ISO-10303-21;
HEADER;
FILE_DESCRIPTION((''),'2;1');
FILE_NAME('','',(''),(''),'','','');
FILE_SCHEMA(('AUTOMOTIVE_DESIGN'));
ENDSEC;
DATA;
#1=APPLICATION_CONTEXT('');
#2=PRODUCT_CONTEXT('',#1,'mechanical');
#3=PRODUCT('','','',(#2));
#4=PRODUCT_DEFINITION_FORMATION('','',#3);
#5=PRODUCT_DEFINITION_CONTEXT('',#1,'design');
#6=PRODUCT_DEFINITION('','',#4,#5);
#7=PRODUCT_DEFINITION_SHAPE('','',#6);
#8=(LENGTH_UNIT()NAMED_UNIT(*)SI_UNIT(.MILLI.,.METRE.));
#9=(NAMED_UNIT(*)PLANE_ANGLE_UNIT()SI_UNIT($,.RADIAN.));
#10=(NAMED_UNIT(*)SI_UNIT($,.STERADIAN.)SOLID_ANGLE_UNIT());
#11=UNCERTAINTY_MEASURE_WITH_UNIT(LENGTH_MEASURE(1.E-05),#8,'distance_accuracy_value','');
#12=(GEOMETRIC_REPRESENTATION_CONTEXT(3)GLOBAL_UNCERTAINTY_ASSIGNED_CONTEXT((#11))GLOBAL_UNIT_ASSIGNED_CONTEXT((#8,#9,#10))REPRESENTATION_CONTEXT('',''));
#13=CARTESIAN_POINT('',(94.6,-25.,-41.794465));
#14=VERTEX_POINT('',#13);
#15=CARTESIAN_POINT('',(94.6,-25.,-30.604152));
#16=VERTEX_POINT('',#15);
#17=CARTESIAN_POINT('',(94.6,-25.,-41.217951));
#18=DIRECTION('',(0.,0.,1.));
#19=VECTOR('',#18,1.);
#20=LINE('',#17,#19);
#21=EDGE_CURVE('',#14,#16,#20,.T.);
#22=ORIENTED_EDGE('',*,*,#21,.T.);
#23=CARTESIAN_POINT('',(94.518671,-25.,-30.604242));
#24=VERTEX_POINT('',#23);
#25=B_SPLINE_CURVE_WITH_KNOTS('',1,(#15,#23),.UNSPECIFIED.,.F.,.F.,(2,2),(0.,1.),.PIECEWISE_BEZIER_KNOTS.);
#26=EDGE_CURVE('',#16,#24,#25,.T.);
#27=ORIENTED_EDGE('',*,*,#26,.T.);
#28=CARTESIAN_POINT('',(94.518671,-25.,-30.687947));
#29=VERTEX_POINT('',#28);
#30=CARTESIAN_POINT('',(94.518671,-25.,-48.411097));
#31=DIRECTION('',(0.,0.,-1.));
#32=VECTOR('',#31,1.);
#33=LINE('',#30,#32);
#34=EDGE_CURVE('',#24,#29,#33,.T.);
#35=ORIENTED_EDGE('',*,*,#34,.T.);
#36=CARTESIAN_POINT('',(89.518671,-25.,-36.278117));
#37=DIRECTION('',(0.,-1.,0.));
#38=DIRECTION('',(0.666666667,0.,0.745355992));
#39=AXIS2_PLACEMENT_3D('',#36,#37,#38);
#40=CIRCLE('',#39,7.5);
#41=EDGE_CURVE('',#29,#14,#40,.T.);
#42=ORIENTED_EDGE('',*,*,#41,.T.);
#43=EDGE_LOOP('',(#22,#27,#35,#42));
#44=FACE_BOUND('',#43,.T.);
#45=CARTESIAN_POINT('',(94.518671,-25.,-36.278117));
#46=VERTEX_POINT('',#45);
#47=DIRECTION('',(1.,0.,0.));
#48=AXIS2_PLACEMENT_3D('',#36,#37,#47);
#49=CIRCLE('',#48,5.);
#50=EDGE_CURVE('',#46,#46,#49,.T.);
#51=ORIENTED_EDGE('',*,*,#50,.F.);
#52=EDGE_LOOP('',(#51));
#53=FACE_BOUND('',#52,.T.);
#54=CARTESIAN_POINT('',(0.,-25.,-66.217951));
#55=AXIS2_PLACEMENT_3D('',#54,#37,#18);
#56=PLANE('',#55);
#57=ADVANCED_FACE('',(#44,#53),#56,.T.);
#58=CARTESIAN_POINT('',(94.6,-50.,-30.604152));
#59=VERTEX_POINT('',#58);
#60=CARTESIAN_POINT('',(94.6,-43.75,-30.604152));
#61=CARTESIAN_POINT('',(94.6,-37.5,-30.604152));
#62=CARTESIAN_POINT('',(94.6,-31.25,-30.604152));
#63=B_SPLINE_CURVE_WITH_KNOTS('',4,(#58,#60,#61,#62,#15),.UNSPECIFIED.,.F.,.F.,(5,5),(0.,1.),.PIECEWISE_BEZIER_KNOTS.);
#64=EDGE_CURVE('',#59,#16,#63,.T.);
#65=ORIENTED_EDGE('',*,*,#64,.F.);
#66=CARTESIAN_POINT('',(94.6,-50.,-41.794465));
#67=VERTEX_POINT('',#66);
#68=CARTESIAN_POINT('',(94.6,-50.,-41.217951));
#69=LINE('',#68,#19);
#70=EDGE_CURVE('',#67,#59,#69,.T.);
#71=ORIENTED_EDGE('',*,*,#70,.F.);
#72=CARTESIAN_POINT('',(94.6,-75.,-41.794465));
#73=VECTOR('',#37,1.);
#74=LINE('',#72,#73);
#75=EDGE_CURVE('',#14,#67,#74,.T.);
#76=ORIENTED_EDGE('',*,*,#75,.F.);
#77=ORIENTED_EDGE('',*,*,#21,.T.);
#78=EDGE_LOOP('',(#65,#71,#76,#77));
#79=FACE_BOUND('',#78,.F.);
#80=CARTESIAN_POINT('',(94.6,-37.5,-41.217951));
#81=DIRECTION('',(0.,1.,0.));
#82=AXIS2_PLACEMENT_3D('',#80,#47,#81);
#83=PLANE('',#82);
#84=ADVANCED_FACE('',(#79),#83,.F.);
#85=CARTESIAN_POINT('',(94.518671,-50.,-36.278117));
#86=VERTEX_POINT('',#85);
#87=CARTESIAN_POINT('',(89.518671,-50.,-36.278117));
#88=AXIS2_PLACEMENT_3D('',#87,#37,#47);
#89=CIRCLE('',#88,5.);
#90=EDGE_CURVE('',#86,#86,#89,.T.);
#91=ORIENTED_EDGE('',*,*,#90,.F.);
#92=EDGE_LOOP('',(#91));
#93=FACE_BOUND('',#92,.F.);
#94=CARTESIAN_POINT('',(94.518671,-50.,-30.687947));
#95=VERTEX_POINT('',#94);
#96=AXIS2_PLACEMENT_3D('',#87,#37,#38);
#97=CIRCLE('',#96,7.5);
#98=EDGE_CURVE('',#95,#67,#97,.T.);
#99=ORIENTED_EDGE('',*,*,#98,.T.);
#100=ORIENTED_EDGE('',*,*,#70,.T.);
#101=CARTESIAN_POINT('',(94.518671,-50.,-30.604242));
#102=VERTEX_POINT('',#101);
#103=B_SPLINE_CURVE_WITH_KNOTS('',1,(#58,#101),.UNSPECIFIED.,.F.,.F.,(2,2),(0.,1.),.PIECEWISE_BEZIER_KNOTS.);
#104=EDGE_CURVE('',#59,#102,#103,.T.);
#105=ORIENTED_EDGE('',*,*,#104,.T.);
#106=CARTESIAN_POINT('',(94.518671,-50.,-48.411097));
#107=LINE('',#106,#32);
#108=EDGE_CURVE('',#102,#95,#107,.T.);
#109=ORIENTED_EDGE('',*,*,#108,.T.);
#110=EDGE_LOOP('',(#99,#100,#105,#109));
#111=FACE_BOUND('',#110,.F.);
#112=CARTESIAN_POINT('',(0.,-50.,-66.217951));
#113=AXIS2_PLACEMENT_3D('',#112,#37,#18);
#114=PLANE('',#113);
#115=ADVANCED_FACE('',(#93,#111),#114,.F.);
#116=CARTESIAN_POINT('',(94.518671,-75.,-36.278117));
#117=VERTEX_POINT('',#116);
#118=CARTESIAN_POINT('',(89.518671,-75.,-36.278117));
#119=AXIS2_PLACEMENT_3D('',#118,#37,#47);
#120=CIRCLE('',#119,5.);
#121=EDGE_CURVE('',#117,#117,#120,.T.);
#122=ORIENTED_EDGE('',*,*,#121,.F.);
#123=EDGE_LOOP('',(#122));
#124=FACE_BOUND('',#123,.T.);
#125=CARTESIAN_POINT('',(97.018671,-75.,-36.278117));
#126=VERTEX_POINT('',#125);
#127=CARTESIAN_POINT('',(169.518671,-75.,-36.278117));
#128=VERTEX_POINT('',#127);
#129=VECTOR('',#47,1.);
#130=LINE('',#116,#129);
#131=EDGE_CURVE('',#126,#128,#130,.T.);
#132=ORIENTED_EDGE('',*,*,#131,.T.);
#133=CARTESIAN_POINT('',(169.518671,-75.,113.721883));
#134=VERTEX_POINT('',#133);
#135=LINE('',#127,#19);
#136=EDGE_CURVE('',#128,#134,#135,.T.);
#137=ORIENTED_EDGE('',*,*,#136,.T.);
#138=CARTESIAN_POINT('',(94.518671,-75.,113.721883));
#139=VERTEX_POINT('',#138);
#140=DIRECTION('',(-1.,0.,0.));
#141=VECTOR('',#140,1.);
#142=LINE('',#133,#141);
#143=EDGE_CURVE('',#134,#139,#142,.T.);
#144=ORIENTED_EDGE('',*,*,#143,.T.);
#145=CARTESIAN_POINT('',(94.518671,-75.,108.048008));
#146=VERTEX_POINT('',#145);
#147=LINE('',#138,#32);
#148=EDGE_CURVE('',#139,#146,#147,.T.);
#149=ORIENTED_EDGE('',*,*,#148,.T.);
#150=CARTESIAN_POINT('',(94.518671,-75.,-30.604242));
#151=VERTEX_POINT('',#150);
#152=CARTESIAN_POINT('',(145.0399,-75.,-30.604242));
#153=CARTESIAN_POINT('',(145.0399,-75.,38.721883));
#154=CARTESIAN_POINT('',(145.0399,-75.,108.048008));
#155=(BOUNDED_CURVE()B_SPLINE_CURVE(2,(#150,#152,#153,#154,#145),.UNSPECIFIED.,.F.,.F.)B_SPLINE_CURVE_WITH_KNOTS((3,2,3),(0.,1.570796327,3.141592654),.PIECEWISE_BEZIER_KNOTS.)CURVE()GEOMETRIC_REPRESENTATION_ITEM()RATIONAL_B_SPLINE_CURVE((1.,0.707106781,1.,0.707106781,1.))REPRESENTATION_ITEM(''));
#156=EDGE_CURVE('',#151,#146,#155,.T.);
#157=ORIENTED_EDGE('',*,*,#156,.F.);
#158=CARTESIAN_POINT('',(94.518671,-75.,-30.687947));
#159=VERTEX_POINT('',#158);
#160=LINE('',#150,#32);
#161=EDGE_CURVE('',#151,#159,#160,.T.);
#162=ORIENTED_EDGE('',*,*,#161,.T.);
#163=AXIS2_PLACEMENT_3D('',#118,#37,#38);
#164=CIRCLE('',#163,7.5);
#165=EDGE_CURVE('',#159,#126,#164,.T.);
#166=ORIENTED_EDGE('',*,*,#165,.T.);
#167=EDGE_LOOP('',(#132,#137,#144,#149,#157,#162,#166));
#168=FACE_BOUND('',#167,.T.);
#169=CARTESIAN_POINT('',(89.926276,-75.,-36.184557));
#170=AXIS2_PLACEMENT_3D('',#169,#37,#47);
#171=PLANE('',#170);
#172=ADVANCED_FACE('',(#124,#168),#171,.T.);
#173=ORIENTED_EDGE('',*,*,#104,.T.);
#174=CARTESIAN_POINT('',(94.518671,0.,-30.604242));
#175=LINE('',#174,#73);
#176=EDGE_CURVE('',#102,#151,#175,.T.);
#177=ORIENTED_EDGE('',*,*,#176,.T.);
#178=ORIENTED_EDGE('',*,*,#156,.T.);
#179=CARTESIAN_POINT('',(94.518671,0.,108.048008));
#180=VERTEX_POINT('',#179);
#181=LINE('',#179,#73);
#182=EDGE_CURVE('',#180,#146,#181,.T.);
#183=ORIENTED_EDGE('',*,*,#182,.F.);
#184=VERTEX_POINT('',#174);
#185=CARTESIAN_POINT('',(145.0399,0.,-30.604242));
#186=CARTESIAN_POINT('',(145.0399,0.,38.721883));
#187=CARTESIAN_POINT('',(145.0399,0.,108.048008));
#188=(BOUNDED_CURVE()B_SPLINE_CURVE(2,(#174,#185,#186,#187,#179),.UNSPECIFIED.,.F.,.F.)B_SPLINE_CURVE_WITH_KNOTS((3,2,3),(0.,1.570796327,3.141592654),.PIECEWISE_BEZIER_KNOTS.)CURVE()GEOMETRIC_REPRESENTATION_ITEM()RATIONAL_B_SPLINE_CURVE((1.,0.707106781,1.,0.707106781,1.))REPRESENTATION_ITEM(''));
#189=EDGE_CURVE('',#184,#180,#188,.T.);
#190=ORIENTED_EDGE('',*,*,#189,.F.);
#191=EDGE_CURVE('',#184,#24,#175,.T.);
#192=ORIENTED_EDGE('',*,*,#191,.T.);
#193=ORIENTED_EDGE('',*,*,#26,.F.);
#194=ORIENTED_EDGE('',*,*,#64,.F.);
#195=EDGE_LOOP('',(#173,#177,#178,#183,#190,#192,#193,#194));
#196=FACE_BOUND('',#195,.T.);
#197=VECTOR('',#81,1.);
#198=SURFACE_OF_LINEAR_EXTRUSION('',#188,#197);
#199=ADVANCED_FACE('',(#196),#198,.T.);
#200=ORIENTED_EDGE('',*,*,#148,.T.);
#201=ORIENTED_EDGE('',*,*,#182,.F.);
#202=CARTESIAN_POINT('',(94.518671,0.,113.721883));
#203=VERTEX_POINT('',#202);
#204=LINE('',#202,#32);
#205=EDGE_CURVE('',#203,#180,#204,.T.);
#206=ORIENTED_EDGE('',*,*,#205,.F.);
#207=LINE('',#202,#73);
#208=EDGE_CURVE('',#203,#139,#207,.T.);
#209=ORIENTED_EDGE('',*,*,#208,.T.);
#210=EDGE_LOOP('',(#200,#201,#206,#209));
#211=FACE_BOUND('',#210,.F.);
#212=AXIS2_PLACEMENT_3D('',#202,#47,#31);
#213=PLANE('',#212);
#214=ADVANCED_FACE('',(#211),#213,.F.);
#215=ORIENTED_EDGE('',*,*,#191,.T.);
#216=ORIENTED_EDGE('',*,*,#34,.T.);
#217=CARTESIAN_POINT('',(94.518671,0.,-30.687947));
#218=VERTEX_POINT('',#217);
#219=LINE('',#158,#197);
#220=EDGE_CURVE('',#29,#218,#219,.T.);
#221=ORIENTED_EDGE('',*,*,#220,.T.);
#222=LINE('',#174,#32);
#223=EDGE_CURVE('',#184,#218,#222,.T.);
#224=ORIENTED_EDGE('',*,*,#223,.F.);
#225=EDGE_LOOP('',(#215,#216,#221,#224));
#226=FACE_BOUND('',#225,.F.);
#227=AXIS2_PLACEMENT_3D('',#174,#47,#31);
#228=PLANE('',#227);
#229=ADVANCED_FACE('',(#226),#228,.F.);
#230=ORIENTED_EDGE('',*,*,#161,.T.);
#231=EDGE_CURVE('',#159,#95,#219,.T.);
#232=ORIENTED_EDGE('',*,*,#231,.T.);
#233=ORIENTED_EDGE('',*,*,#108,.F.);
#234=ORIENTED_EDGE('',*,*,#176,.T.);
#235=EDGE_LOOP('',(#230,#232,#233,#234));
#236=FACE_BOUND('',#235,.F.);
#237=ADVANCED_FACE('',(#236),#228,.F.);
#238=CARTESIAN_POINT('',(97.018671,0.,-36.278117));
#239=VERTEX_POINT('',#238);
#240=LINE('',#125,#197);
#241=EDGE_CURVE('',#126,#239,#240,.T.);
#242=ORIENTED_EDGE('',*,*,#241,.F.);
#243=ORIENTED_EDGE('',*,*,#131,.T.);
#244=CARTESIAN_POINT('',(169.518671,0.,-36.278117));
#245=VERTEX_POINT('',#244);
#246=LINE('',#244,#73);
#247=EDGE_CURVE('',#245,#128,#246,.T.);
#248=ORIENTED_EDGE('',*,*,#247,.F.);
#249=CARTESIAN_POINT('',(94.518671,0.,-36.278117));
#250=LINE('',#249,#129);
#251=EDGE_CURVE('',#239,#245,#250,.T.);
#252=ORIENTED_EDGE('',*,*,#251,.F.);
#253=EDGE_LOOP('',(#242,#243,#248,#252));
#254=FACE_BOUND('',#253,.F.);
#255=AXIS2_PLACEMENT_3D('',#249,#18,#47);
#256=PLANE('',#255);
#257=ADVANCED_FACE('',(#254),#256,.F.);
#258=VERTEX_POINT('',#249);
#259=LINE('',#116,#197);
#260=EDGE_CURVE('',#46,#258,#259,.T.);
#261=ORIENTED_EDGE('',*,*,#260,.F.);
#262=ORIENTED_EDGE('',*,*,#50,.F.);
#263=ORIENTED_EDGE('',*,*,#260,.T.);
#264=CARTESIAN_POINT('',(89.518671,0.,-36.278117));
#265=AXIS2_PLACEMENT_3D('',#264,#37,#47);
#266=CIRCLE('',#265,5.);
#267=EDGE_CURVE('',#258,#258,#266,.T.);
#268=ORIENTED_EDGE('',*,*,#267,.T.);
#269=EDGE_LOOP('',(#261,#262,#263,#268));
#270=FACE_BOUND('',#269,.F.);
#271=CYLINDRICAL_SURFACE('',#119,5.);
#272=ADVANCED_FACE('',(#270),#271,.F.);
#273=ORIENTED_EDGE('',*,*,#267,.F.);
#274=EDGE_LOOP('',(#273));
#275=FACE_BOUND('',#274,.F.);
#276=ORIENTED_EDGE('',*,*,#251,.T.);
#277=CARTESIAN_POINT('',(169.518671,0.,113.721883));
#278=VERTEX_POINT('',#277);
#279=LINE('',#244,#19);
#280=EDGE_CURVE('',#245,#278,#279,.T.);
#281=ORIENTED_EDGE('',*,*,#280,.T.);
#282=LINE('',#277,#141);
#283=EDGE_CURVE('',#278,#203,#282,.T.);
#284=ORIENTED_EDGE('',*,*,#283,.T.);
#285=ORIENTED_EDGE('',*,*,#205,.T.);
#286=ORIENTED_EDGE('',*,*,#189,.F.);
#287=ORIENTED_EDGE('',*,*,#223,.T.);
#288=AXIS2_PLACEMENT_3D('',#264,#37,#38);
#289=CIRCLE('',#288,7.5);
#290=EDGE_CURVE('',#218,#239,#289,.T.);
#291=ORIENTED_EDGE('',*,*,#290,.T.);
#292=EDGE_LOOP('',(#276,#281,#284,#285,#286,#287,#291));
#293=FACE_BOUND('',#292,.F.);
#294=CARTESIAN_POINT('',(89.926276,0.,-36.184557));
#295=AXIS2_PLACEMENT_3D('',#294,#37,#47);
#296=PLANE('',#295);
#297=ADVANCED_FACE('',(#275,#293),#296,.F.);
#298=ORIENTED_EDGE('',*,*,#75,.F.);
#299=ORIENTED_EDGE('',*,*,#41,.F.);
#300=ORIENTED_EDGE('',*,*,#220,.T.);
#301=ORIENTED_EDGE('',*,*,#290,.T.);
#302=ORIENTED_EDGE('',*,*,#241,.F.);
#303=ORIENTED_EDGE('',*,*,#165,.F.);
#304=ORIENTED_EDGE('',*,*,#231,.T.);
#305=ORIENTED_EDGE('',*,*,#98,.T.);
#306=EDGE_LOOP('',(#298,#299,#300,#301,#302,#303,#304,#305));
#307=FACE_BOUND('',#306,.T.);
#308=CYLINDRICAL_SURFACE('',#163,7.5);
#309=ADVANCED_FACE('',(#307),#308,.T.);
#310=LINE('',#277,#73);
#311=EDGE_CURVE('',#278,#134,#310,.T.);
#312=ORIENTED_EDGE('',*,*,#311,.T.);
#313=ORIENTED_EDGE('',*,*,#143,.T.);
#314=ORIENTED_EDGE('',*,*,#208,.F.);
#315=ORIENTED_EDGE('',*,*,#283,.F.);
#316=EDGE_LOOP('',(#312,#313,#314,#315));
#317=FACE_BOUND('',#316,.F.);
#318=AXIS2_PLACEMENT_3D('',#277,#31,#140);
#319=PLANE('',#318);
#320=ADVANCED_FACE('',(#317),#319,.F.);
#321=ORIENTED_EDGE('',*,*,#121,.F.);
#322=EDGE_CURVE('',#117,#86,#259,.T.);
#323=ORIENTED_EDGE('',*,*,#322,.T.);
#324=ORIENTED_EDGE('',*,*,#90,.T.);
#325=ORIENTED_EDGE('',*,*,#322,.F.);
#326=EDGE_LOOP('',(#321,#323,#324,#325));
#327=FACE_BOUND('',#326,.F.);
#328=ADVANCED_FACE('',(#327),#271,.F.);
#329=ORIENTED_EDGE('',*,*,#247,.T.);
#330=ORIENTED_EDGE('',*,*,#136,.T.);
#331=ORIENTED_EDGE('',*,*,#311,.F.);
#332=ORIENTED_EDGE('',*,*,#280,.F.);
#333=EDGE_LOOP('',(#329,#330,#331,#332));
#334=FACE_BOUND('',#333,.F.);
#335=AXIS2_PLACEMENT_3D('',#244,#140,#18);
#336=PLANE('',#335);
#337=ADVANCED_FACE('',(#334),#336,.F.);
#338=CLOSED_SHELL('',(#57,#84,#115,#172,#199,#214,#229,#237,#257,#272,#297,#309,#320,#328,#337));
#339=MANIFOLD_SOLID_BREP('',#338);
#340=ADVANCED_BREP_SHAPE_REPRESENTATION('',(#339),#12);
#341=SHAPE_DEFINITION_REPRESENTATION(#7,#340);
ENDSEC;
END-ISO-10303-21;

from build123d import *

# Parameters (mm, degrees)
F1_DEPTH = 75
F3_DEPTH = 75
F4_R     = 5
F5_DEPTH = 75
F6_W     = 25
F6_H     = 50
F7_DEPTH = 94.6


with BuildPart() as f1:
    # F0 (on Front) → F1 (new body)
    with BuildSketch(Plane.XZ):
        with BuildLine():
            Line((94.518671182, -36.2781172018), (169.518671182, -36.2781172018))
            Line((169.518671182, -36.2781172018), (169.518671182, 113.7218827982))
            Line((169.518671182, 113.7218827982), (94.518671182, 113.7218827982))
            Line((94.518671182, 113.7218827982), (94.518671182, 108.0480078836))
            add(Edge.make_bspline(
                [(94.518671182, -30.6042422872), (145.0398997052, -30.6042422872), (145.0398997052, 38.7218827982), (145.0398997052, 108.0480078835), (94.518671182, 108.0480078836)],
                knots=[0, 0, 0, 1.5707963268, 1.5707963268, 3.1415926536, 3.1415926536, 3.1415926536], degree=2, weights=[1, 0.7071067812, 1, 0.7071067812, 1]))
            Line((94.518671182, -30.6042422872), (94.518671182, -36.2781172018))
        make_face()
    extrude(amount=F1_DEPTH)

    # F2 (on face) → F3 (join)
    with BuildSketch(Plane.XZ.offset(75)):
        with BuildLine():
            ThreePointArc((94.518671182, -30.6879472581), (82.6721392132, -39.3399793803), (97.018671182, -36.2781172018))
            Line((97.018671182, -36.2781172018), (94.518671182, -36.2781172018))
            Line((94.518671182, -36.2781172018), (94.518671182, -30.6879472581))
        make_face()
    extrude(amount=-F3_DEPTH)

    # F4 (on face) → F5 (cut)
    with BuildSketch(Plane.XZ.offset(75)):
        with Locations((89.518671182, -36.2781172018)):
            Circle(F4_R)
    extrude(amount=-F5_DEPTH, mode=Mode.SUBTRACT)

    # F6 (on Right) → F7 (cut)
    with BuildSketch(Plane.YZ):
        with Locations((-37.5, -41.2179514766)):
            Rectangle(F6_W, F6_H)
    extrude(amount=F7_DEPTH, mode=Mode.SUBTRACT)


solid = f1.part
